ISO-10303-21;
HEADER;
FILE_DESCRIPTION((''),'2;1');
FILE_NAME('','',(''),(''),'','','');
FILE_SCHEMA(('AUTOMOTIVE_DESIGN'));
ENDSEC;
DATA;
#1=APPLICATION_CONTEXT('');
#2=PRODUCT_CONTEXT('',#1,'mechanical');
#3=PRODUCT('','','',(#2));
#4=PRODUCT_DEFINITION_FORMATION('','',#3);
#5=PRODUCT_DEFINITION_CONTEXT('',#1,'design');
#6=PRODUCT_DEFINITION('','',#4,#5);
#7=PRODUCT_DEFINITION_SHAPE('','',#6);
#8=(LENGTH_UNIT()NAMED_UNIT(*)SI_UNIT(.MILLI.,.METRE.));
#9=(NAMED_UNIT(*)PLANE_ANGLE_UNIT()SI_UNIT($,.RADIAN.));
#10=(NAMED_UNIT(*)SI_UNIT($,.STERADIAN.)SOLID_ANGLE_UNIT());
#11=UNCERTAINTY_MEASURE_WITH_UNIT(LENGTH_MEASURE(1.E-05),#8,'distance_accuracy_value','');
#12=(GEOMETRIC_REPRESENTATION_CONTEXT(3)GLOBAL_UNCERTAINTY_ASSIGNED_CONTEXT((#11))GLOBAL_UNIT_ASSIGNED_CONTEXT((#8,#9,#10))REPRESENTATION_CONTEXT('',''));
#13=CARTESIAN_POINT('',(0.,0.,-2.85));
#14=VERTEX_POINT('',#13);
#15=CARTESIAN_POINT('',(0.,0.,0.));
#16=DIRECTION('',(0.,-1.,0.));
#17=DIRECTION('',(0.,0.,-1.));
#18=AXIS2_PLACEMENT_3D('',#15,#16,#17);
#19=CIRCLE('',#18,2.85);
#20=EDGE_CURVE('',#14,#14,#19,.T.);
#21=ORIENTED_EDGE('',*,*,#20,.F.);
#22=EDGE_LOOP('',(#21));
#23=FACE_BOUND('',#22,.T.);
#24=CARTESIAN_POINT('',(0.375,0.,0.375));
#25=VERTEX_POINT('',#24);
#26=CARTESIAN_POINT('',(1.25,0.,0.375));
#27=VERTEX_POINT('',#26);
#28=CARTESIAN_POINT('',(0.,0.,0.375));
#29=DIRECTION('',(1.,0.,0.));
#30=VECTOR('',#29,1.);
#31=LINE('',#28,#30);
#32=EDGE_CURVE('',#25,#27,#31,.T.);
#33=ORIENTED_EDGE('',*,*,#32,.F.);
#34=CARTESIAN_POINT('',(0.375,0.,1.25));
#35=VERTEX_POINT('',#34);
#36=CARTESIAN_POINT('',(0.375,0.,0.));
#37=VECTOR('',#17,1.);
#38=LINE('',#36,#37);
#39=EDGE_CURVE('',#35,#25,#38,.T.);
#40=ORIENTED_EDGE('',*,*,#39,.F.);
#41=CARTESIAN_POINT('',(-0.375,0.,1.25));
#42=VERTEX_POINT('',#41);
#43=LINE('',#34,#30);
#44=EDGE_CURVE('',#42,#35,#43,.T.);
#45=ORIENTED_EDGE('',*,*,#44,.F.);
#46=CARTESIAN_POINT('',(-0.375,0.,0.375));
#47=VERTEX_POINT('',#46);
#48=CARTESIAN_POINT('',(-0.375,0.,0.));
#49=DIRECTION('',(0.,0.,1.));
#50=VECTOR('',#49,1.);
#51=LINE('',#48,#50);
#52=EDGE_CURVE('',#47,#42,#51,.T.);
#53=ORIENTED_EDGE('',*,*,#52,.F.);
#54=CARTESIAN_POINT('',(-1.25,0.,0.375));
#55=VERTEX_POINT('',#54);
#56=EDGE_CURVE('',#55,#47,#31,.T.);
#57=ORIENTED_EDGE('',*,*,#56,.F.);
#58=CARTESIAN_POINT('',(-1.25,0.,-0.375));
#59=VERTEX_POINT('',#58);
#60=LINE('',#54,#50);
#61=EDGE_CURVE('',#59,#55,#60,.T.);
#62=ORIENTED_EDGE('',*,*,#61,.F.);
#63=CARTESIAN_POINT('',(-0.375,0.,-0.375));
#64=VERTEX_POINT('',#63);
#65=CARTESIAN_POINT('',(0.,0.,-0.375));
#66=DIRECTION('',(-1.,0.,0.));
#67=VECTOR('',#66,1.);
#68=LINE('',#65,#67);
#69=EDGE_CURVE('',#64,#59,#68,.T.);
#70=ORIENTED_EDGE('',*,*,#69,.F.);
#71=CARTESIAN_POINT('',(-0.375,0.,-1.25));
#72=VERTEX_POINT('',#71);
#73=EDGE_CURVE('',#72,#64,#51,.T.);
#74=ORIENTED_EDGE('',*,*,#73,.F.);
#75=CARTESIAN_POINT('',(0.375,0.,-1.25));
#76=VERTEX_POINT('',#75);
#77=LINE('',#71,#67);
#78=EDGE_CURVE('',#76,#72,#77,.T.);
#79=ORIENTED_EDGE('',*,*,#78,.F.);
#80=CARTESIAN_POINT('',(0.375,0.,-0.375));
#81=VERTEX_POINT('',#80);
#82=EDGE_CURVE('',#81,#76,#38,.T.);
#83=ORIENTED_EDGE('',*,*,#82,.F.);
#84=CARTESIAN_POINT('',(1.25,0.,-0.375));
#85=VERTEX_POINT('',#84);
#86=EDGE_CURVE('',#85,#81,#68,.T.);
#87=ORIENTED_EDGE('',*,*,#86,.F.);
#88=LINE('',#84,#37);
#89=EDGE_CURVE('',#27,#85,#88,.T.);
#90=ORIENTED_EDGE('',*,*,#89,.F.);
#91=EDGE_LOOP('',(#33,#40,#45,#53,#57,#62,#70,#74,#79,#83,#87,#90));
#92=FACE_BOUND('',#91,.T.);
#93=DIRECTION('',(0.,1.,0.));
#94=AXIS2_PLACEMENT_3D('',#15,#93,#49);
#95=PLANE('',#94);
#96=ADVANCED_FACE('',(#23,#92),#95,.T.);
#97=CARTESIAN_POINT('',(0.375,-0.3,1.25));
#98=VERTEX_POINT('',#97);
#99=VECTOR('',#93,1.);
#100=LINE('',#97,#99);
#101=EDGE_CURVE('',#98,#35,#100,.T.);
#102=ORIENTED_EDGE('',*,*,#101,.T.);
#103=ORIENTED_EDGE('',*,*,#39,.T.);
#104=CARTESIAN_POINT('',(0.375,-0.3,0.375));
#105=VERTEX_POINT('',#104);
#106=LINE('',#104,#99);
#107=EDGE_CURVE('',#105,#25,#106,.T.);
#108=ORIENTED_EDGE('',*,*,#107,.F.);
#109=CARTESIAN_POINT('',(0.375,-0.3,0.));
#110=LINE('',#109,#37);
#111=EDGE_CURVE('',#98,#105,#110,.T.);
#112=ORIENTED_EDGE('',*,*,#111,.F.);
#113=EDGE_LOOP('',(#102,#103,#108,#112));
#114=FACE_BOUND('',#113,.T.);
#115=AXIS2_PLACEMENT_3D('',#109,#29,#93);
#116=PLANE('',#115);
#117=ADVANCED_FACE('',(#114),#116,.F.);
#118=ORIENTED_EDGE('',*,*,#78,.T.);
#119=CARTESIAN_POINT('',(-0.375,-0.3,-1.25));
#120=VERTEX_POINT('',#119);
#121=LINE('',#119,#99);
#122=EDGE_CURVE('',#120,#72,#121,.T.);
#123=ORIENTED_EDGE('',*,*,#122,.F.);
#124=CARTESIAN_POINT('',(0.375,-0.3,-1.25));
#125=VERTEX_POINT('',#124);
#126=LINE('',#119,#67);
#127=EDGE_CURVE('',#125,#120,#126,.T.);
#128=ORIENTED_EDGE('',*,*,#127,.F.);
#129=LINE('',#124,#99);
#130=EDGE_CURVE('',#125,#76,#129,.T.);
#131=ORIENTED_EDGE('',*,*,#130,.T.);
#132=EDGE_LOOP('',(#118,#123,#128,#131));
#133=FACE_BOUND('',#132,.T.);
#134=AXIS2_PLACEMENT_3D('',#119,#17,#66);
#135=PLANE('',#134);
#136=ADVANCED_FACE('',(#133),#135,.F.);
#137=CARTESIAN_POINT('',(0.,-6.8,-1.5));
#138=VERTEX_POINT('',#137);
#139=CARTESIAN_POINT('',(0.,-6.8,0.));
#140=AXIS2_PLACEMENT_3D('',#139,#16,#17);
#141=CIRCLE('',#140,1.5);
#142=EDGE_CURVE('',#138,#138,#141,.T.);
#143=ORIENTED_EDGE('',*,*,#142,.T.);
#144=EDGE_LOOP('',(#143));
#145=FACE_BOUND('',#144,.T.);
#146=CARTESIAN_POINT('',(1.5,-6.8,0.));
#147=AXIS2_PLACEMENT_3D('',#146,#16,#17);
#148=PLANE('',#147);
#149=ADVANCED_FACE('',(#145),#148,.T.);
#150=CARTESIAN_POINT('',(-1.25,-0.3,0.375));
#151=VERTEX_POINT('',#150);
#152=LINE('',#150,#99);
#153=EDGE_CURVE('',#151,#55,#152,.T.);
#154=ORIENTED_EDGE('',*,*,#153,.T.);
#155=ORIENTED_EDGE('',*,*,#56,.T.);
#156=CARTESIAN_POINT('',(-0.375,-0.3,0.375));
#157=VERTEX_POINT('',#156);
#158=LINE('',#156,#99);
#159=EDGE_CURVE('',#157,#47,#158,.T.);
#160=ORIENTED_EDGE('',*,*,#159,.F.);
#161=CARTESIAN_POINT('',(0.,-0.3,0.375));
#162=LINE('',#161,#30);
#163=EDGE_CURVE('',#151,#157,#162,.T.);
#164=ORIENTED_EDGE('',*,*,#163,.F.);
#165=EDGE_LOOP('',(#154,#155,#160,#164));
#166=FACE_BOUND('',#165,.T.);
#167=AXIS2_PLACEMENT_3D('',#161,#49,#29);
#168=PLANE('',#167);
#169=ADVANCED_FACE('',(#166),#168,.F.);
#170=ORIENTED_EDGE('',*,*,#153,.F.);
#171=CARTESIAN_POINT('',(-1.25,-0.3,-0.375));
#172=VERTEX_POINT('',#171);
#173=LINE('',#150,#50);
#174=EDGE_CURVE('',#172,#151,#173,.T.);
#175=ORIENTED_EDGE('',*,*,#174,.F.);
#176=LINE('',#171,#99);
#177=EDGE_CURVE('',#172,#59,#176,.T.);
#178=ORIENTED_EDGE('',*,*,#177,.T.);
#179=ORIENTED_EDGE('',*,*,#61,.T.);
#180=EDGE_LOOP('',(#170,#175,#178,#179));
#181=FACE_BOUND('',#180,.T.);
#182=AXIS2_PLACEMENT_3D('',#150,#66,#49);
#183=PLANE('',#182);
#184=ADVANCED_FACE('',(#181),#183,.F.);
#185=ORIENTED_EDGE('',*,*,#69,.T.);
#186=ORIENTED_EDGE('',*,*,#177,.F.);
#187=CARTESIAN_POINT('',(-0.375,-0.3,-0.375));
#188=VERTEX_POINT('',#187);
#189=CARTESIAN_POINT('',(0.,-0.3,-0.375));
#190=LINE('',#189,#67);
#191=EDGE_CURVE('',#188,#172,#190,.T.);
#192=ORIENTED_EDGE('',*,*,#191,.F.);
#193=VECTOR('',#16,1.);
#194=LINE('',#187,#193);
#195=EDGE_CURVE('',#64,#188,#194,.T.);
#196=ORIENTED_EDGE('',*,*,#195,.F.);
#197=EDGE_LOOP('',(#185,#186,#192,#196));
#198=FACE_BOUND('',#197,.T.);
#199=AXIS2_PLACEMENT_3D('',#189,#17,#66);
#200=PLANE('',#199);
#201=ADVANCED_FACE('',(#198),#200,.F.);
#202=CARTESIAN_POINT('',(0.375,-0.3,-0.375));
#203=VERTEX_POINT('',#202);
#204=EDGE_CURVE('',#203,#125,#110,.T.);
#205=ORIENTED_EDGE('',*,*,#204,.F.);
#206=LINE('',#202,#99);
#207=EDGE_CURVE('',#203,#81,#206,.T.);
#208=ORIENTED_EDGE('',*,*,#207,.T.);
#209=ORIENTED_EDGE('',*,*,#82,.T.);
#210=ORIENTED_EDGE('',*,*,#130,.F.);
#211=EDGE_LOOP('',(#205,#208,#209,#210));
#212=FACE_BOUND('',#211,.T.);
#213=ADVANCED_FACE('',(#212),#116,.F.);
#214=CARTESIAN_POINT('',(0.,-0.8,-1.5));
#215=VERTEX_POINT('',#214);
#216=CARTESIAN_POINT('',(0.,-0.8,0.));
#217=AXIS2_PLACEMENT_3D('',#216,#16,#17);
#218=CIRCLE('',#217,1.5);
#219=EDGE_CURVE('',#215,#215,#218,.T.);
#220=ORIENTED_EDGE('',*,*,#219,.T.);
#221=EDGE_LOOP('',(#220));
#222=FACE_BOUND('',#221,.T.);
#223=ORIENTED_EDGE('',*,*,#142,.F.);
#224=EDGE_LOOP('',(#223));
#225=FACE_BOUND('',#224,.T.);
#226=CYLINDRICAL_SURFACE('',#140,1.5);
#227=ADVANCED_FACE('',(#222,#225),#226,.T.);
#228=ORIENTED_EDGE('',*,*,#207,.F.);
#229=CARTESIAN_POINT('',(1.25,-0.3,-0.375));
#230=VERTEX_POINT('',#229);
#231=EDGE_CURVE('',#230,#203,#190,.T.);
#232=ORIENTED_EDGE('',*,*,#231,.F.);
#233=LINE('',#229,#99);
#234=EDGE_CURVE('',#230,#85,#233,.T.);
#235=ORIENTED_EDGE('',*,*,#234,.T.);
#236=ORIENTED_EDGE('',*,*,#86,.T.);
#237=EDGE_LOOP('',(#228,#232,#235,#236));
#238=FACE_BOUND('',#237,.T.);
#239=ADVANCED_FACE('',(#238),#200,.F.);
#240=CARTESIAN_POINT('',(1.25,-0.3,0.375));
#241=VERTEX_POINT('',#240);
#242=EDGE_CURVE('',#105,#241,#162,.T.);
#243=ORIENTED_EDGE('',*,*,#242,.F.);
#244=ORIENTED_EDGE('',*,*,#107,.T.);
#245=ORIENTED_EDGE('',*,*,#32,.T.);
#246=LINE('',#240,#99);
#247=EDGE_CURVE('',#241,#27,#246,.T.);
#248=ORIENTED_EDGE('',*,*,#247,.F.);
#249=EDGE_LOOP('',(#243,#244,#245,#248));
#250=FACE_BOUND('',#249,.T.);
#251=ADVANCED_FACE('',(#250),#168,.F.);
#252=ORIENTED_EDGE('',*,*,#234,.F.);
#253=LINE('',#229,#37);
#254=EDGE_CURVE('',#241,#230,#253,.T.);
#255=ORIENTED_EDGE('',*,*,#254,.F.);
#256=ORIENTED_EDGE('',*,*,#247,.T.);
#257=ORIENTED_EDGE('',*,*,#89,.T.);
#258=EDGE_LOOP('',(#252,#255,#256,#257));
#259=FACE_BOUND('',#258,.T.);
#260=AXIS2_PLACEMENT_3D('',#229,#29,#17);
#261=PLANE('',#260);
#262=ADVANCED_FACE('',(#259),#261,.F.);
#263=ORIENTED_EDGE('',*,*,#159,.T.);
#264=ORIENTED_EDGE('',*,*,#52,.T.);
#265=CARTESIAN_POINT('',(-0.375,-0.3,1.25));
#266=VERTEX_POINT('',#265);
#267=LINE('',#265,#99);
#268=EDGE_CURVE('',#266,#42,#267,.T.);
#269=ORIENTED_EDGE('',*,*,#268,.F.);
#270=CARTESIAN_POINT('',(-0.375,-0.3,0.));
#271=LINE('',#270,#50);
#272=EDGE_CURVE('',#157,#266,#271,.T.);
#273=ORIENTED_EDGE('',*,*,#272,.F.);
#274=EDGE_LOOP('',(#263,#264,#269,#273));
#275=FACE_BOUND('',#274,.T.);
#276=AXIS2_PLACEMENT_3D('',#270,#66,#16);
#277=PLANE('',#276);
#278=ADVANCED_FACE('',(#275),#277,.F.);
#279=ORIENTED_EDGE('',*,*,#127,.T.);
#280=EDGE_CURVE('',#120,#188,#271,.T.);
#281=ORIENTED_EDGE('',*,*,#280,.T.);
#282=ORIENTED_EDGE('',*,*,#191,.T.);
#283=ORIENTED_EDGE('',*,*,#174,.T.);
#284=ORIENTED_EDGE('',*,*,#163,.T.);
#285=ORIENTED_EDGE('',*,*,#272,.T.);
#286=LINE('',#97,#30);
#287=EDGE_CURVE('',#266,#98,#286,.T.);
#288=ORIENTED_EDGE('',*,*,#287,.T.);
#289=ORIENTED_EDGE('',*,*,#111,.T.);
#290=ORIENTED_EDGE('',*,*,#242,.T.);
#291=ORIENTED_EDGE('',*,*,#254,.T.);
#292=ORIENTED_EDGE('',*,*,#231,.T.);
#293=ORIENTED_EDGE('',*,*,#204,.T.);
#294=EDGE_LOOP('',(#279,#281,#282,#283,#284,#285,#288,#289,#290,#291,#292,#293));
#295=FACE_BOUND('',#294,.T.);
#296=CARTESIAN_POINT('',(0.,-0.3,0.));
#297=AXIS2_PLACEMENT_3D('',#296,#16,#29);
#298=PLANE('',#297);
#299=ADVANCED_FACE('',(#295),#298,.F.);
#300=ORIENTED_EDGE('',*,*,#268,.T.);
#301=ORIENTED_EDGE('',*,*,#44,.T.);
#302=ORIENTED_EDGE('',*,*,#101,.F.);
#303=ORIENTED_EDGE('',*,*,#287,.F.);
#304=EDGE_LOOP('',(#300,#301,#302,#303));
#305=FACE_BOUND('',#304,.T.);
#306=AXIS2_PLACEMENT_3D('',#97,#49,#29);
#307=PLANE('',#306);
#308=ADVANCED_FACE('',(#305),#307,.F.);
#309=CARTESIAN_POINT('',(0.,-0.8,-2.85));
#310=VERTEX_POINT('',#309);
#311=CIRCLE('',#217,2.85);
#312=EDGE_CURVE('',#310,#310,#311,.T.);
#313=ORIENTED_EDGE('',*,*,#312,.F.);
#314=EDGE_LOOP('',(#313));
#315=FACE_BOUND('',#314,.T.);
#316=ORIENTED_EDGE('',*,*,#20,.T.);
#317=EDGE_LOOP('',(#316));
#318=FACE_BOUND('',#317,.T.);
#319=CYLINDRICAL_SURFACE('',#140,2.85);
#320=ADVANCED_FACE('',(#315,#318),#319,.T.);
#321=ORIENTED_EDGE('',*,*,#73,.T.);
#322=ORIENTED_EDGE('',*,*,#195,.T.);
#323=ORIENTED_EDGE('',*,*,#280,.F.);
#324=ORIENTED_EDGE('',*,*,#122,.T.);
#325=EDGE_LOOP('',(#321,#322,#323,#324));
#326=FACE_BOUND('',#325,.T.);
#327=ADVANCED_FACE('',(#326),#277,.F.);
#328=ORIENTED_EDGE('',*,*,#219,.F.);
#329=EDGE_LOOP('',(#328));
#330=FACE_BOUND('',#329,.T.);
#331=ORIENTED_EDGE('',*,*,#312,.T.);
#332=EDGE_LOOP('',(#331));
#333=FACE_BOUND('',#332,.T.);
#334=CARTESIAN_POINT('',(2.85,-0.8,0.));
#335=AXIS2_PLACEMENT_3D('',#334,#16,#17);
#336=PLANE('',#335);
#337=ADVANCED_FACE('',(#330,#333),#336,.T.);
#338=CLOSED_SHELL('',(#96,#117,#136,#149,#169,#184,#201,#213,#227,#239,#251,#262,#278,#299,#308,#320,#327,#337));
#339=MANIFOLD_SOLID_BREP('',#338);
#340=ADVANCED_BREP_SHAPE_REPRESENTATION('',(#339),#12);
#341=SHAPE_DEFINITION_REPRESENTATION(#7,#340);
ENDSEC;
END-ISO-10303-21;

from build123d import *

# Parameters (mm, degrees)
SKETCH_2_W               = 0.75
SKETCH_2_H               = 1.25
CUT_EXTRUDE_1_DEPTH      = 0.3
PATTERN_CIRCULAR_1_COUNT = 4


with BuildPart() as part:
    # ｽｹｯﾁ1 → 回転1 (revolve)
    with BuildSketch(Plane.XY, mode=Mode.PRIVATE) as revolve_1_sk:
        Polygon((0, 0), (2.85, 0), (2.85, -0.8), (1.5, -0.8), (1.5, -6.8), (0, -6.8), align=None)
    revolve(revolve_1_sk.sketch.rotate(Axis((0, -6.8, 0), (0, 1, 0)), 90), axis=Axis((0, -6.8, 0), (0, 1, 0)))

    # ｽｹｯﾁ2 → ｶｯﾄ - 押し出し1 (cut)
    with BuildSketch(Plane(origin=(0, 0, 0), x_dir=(1, 0, 0), z_dir=(0, 1, 0))):
        with Locations((0, 0.625)):
            Rectangle(SKETCH_2_W, SKETCH_2_H)
    cut_extrude_1 = extrude(amount=-CUT_EXTRUDE_1_DEPTH, mode=Mode.SUBTRACT)

    # 円形ﾊﾟﾀｰﾝ1: ｶｯﾄ - 押し出し1 ×4 about axis
    pattern_circular_1_axis = Axis((0, 0, 0), (0, 1, 0))
    for i in range(1, PATTERN_CIRCULAR_1_COUNT):
        add(cut_extrude_1.rotate(pattern_circular_1_axis, i * 360 / PATTERN_CIRCULAR_1_COUNT), mode=Mode.SUBTRACT)


solid = part.part
